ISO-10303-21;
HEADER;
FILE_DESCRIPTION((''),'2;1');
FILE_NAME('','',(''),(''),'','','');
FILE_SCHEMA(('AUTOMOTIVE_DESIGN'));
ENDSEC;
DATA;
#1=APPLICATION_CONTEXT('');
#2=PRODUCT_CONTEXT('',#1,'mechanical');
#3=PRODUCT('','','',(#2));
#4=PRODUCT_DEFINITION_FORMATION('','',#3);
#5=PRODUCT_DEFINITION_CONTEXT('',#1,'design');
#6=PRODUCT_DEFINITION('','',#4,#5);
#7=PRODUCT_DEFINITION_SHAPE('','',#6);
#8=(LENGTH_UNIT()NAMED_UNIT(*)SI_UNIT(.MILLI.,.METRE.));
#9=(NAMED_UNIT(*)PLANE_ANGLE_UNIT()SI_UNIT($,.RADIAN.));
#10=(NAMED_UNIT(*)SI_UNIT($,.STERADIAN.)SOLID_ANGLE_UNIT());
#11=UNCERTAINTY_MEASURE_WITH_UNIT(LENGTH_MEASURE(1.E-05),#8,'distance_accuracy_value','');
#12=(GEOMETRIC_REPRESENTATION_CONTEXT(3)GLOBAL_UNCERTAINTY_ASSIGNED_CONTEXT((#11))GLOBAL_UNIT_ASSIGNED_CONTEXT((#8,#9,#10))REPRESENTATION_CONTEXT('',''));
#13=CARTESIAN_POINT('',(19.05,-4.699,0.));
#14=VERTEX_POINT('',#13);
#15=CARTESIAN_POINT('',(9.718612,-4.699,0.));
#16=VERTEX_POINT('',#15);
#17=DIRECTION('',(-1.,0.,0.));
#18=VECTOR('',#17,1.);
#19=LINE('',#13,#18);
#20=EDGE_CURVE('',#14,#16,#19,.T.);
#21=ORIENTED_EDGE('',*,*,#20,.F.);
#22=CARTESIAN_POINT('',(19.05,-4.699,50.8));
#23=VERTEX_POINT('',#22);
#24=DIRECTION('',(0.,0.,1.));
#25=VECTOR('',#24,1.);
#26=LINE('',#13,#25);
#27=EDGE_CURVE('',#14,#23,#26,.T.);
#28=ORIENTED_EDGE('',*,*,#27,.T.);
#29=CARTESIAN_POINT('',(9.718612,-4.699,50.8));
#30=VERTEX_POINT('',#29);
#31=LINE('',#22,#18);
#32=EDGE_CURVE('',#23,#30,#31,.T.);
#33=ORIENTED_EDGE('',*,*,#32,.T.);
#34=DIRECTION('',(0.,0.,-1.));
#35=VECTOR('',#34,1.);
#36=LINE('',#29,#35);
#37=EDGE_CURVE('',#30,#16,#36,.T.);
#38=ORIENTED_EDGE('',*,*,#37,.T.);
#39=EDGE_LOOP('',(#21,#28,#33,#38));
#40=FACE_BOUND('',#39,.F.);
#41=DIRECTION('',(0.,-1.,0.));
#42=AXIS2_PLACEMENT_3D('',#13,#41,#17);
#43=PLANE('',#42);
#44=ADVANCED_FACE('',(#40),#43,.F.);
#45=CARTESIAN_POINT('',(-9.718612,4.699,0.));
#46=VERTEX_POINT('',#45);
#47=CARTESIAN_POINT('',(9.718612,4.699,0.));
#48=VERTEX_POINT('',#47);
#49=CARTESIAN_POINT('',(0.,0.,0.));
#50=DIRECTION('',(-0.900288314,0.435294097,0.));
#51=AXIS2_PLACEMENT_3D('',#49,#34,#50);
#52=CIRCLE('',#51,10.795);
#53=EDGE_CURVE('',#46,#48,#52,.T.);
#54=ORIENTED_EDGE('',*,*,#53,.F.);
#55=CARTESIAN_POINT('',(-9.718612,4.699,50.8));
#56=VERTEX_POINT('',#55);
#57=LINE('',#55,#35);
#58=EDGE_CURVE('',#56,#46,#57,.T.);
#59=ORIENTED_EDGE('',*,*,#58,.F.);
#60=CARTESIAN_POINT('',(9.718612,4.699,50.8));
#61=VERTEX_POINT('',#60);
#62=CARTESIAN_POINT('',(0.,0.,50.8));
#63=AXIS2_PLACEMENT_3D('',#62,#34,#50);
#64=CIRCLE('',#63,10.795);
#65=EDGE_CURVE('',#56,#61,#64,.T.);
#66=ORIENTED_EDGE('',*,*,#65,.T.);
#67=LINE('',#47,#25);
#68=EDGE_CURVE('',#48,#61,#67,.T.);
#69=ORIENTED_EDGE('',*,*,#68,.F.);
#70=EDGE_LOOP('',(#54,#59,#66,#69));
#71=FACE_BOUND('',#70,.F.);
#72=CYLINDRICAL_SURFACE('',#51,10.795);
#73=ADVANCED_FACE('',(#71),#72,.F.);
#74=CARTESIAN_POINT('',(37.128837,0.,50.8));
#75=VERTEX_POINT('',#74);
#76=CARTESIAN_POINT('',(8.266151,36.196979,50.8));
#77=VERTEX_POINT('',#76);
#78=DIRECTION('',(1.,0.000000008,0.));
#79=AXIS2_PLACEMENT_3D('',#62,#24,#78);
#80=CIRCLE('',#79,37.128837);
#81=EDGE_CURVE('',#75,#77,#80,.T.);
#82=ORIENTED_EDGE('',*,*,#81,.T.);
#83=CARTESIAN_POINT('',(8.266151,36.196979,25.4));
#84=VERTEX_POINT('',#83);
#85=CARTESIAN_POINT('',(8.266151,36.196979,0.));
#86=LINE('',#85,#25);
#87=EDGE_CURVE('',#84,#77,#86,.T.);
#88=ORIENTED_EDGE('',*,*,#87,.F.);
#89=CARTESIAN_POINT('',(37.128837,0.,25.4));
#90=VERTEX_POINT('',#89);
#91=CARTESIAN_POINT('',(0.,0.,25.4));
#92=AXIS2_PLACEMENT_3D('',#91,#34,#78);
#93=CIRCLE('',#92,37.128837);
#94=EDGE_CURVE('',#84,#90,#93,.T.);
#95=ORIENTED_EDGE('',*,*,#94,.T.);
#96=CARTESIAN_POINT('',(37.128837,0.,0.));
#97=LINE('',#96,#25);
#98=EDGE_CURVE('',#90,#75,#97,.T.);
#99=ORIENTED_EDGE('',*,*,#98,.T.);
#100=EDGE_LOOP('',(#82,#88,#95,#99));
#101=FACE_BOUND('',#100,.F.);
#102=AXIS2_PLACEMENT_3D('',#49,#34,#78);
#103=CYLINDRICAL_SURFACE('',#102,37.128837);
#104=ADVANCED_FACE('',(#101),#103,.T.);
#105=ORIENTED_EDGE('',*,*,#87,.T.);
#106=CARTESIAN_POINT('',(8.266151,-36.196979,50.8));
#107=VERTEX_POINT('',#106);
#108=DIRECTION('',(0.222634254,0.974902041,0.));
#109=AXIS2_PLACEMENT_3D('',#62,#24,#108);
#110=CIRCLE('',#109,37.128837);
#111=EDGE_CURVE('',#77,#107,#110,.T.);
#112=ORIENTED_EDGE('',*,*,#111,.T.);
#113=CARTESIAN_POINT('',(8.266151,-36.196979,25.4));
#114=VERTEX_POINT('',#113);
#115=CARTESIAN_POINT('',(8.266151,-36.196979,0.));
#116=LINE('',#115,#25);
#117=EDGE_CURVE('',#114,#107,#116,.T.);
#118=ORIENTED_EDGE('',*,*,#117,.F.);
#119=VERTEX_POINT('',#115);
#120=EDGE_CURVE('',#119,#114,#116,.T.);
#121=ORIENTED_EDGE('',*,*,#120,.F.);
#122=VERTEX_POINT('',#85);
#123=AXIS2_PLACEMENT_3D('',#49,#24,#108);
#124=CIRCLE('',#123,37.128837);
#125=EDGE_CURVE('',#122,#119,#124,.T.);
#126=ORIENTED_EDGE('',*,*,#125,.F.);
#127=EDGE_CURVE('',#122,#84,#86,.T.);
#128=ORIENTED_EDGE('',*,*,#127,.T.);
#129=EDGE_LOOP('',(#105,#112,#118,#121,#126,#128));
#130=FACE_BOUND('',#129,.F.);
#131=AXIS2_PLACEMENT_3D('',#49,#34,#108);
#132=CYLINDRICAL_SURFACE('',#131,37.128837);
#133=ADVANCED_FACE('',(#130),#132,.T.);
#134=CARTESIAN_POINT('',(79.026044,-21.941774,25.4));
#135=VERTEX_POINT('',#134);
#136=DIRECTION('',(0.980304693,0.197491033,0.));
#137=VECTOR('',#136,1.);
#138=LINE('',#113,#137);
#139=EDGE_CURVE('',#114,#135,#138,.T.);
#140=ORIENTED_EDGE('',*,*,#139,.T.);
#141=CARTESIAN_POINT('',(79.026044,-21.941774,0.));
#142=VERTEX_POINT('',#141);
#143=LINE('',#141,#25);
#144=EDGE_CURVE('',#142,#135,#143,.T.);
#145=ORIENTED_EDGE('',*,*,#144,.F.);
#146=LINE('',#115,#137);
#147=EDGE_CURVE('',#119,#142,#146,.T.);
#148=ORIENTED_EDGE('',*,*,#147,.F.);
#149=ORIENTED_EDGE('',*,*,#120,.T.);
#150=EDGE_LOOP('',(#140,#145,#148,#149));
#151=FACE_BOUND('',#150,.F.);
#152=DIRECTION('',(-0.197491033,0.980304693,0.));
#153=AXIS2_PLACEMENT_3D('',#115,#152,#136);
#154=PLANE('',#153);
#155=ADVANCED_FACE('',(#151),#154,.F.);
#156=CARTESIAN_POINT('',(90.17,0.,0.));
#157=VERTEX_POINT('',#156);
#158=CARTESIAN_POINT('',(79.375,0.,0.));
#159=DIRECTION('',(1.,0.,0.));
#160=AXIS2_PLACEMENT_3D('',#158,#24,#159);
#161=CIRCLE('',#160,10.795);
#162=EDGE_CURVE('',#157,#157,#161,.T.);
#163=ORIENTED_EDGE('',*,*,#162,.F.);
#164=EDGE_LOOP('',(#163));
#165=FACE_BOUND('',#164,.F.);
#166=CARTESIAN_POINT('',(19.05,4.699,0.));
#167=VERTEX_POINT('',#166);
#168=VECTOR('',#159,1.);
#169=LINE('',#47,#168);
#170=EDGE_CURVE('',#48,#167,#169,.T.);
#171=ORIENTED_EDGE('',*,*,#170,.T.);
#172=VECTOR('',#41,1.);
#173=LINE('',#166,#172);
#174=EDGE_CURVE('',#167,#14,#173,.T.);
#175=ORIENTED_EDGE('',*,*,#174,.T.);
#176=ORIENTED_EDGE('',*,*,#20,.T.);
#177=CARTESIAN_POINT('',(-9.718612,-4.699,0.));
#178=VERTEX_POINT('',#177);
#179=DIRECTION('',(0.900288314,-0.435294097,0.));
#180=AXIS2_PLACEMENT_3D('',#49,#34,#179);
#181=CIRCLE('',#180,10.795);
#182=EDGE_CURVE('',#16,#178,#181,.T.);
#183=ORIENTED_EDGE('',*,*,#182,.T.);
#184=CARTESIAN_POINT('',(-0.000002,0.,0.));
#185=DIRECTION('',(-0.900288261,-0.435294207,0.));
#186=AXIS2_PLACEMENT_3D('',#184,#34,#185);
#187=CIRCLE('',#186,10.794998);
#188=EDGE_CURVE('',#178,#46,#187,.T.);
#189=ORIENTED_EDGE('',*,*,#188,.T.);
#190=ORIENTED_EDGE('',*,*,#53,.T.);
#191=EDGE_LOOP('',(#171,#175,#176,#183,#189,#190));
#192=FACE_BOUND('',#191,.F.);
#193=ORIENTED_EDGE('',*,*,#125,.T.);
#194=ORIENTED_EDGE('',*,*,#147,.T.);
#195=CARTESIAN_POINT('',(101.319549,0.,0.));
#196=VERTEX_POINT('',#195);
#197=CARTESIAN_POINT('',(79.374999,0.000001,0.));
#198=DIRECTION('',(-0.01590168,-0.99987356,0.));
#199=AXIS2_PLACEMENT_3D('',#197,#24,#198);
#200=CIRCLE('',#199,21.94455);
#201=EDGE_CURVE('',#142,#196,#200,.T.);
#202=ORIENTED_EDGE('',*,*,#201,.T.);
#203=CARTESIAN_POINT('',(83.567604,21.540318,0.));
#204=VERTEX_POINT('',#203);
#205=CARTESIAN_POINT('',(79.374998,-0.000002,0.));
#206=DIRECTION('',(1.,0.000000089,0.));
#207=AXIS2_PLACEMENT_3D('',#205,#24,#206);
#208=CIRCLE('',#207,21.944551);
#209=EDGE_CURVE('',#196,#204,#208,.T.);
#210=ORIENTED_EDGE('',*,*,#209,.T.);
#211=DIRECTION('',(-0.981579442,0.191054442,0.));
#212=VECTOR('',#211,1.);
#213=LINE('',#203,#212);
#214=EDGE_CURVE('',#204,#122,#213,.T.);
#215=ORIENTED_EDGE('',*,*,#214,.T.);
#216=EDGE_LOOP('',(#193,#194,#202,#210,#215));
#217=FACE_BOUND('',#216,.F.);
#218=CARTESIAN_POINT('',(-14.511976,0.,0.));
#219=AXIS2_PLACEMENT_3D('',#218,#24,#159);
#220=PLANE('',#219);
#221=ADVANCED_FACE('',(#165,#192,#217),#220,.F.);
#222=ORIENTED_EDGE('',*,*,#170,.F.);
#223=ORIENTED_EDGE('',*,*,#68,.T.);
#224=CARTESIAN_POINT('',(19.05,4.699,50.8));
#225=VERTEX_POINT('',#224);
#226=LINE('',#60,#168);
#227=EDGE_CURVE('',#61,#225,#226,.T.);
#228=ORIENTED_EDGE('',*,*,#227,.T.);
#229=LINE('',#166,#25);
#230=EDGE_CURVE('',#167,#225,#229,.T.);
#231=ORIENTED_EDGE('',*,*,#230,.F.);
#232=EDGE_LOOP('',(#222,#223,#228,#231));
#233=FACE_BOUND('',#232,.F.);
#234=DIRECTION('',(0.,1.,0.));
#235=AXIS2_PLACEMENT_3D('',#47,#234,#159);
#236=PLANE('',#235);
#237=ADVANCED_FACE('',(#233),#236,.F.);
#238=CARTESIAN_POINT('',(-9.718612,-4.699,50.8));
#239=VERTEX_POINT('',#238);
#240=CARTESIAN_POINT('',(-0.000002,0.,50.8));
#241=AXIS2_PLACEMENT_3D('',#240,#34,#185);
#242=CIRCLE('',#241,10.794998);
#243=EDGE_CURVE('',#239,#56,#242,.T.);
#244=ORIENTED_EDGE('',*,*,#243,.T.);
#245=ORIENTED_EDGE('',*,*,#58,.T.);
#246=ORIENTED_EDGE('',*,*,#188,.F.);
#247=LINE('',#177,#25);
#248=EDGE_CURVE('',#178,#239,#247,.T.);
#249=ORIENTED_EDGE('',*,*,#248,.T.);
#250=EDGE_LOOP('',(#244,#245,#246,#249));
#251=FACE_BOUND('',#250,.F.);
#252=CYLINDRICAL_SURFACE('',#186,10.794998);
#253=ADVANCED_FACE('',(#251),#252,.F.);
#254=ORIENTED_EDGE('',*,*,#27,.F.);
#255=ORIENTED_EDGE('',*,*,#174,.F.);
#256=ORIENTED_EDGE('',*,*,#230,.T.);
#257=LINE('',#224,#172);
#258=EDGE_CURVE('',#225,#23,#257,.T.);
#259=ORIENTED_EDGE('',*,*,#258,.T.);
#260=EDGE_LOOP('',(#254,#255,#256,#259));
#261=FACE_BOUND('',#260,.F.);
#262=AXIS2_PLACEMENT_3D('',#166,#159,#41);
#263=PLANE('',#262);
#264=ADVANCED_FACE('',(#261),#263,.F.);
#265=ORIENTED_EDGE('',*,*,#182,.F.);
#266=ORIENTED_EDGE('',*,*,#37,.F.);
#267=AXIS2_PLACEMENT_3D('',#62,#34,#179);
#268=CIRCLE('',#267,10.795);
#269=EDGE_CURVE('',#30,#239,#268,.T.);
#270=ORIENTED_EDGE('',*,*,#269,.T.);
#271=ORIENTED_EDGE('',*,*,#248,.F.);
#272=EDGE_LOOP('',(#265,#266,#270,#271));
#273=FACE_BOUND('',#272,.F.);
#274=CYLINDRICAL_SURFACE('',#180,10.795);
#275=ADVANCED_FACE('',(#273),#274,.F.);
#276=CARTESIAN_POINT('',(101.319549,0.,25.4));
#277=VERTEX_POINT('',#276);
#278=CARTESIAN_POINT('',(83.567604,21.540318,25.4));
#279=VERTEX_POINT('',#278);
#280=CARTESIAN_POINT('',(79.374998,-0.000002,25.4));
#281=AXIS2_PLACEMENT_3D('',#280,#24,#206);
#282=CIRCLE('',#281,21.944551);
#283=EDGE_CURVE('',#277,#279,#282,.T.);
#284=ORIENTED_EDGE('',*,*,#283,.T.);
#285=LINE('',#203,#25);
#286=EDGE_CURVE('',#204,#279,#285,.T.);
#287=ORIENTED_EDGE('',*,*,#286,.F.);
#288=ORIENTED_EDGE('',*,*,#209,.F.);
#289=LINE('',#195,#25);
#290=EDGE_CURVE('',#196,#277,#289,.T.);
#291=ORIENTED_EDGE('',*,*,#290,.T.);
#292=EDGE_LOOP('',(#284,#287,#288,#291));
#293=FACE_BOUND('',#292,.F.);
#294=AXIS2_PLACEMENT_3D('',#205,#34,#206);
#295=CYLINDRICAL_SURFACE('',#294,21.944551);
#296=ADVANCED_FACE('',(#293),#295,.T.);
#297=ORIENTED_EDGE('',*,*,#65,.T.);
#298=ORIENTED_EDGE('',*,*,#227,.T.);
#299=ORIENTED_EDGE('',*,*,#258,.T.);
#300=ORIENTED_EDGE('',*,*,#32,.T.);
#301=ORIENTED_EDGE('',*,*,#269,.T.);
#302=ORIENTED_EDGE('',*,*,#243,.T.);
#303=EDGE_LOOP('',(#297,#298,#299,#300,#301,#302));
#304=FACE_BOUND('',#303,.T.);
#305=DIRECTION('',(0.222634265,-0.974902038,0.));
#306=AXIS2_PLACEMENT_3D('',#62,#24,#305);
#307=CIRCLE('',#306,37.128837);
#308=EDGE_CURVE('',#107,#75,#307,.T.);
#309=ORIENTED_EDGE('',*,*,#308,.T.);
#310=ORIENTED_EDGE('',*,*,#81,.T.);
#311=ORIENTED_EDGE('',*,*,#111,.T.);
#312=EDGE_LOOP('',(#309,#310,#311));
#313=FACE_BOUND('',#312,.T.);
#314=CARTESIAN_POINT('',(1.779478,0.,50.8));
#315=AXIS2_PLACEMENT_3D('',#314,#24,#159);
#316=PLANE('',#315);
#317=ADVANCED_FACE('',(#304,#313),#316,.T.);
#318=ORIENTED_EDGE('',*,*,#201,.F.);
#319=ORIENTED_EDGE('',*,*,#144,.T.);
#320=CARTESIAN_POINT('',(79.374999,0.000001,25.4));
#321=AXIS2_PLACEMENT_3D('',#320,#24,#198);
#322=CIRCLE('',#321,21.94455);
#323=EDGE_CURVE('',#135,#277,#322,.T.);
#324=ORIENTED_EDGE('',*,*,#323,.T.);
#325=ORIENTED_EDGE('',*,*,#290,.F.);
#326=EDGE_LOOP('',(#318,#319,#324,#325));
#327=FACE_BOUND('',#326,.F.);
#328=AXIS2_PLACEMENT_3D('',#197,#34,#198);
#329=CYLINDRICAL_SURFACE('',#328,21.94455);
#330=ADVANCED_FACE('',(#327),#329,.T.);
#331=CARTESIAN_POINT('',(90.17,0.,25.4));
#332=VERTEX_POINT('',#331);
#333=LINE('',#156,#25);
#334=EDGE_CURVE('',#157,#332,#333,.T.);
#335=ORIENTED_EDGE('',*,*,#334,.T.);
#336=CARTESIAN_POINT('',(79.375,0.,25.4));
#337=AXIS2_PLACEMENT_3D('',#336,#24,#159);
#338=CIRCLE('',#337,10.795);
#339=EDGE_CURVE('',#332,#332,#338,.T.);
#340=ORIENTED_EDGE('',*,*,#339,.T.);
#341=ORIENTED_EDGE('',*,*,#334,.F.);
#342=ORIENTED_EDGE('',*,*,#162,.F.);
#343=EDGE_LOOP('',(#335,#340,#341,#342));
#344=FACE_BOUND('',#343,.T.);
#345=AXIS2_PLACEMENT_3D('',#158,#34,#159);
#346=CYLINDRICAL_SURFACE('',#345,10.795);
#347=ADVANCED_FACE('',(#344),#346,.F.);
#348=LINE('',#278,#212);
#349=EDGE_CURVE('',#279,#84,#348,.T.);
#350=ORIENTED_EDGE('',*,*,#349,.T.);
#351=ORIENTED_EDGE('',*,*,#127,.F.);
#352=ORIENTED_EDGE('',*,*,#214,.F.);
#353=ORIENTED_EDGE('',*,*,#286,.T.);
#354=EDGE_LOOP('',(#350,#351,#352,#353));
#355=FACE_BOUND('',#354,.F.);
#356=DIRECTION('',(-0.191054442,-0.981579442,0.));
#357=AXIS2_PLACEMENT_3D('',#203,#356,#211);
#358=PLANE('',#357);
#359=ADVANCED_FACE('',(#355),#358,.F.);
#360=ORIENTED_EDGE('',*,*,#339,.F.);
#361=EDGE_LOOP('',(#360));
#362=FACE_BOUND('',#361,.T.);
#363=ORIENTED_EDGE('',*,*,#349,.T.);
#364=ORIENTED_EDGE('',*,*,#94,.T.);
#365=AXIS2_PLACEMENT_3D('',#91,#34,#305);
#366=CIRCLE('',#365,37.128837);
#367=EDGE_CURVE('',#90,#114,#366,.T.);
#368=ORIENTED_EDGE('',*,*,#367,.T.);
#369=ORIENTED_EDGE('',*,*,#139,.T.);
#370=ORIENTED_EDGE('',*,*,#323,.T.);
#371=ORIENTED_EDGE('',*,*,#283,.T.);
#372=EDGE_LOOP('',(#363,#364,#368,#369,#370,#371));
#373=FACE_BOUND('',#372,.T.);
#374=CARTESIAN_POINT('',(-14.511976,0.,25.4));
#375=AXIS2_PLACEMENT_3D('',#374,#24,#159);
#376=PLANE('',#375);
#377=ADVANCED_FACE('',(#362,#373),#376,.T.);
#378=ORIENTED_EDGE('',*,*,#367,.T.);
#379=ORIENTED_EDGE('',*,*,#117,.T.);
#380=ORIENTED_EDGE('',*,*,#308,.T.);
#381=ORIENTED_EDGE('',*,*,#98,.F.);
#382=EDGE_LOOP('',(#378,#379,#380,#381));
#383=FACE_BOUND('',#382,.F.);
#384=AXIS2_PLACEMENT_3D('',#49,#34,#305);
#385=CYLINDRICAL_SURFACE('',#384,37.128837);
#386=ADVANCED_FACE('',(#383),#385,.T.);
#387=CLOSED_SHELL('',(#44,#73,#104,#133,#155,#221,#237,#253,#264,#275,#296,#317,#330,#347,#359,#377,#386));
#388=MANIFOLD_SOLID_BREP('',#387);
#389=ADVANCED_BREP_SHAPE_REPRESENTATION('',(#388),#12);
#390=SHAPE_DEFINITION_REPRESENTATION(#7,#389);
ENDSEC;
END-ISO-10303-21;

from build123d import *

# Parameters (mm, degrees)
F0_R     = 10.795
F1_DEPTH = 25.4
F2_DEPTH = 50.8


with BuildPart() as f1:
    # F0 (on Top) → F1 (new body)
    with BuildSketch(Plane.XY):
        with BuildLine():
            ThreePointArc((-9.718612, -4.699), (-10.795, 0), (-9.718612, 4.699))
            Line((-9.718612, 4.699), (-19.05, 4.699))
            Line((-19.05, 4.699), (-19.05, -4.699))
            Line((-19.05, -4.699), (-9.718612, -4.699))
        make_face()
        with BuildLine():
            ThreePointArc((8.266151, -36.196979), (29.029839, -23.147764), (37.128837, 0))
            ThreePointArc((37.128837, 0), (29.029839, 23.147764), (8.266151, 36.196979))
            ThreePointArc((8.266151, 36.196979), (-37.128837, 0), (8.266151, -36.196979))
        make_face()
        with BuildLine():
            ThreePointArc((-9.718612, 4.699), (0, 10.795), (9.718612, 4.699))
            Line((9.718612, 4.699), (19.05, 4.699))
            Line((19.05, 4.699), (19.05, -4.699))
            Line((19.05, -4.699), (9.718612, -4.699))
            ThreePointArc((9.718612, -4.699), (0, -10.795), (-9.718612, -4.699))
            Line((-9.718612, -4.699), (-19.05, -4.699))
            Line((-19.05, -4.699), (-19.05, 4.699))
            Line((-19.05, 4.699), (-9.718612, 4.699))
        make_face(mode=Mode.SUBTRACT)
        with BuildLine():
            ThreePointArc((101.319549, 0), (96.309698, 13.956332), (83.567604, 21.540318))
            ThreePointArc((83.567604, 21.540318), (57.549179, 2.279634), (79.026044, -21.941774))
            ThreePointArc((79.026044, -21.941774), (94.76827, -15.640027), (101.319549, 0))
        make_face()
        with Locations((79.375, 0)):
            Circle(F0_R, mode=Mode.SUBTRACT)
        with BuildLine():
            ThreePointArc((8.266151, 36.196979), (29.029839, 23.147764), (37.128837, 0))
            ThreePointArc((37.128837, 0), (29.029839, -23.147764), (8.266151, -36.196979))
            Line((8.266151, -36.196979), (79.026044, -21.941774))
            ThreePointArc((79.026044, -21.941774), (57.549179, 2.279634), (83.567604, 21.540318))
            Line((83.567604, 21.540318), (8.266151, 36.196979))
        make_face()
    extrude(amount=F1_DEPTH)

    # F0 (on Top) → F2 (join)
    with BuildSketch(Plane.XY):
        with BuildLine():
            ThreePointArc((8.266151, -36.196979), (29.029839, -23.147764), (37.128837, 0))
            ThreePointArc((37.128837, 0), (29.029839, 23.147764), (8.266151, 36.196979))
            ThreePointArc((8.266151, 36.196979), (-37.128837, 0), (8.266151, -36.196979))
        make_face()
        with BuildLine():
            ThreePointArc((-9.718612, 4.699), (0, 10.795), (9.718612, 4.699))
            Line((9.718612, 4.699), (19.05, 4.699))
            Line((19.05, 4.699), (19.05, -4.699))
            Line((19.05, -4.699), (9.718612, -4.699))
            ThreePointArc((9.718612, -4.699), (0, -10.795), (-9.718612, -4.699))
            Line((-9.718612, -4.699), (-19.05, -4.699))
            Line((-19.05, -4.699), (-19.05, 4.699))
            Line((-19.05, 4.699), (-9.718612, 4.699))
        make_face(mode=Mode.SUBTRACT)
        with BuildLine():
            ThreePointArc((-9.718612, -4.699), (-10.795, 0), (-9.718612, 4.699))
            Line((-9.718612, 4.699), (-19.05, 4.699))
            Line((-19.05, 4.699), (-19.05, -4.699))
            Line((-19.05, -4.699), (-9.718612, -4.699))
        make_face()
    extrude(amount=F2_DEPTH)


solid = f1.part
